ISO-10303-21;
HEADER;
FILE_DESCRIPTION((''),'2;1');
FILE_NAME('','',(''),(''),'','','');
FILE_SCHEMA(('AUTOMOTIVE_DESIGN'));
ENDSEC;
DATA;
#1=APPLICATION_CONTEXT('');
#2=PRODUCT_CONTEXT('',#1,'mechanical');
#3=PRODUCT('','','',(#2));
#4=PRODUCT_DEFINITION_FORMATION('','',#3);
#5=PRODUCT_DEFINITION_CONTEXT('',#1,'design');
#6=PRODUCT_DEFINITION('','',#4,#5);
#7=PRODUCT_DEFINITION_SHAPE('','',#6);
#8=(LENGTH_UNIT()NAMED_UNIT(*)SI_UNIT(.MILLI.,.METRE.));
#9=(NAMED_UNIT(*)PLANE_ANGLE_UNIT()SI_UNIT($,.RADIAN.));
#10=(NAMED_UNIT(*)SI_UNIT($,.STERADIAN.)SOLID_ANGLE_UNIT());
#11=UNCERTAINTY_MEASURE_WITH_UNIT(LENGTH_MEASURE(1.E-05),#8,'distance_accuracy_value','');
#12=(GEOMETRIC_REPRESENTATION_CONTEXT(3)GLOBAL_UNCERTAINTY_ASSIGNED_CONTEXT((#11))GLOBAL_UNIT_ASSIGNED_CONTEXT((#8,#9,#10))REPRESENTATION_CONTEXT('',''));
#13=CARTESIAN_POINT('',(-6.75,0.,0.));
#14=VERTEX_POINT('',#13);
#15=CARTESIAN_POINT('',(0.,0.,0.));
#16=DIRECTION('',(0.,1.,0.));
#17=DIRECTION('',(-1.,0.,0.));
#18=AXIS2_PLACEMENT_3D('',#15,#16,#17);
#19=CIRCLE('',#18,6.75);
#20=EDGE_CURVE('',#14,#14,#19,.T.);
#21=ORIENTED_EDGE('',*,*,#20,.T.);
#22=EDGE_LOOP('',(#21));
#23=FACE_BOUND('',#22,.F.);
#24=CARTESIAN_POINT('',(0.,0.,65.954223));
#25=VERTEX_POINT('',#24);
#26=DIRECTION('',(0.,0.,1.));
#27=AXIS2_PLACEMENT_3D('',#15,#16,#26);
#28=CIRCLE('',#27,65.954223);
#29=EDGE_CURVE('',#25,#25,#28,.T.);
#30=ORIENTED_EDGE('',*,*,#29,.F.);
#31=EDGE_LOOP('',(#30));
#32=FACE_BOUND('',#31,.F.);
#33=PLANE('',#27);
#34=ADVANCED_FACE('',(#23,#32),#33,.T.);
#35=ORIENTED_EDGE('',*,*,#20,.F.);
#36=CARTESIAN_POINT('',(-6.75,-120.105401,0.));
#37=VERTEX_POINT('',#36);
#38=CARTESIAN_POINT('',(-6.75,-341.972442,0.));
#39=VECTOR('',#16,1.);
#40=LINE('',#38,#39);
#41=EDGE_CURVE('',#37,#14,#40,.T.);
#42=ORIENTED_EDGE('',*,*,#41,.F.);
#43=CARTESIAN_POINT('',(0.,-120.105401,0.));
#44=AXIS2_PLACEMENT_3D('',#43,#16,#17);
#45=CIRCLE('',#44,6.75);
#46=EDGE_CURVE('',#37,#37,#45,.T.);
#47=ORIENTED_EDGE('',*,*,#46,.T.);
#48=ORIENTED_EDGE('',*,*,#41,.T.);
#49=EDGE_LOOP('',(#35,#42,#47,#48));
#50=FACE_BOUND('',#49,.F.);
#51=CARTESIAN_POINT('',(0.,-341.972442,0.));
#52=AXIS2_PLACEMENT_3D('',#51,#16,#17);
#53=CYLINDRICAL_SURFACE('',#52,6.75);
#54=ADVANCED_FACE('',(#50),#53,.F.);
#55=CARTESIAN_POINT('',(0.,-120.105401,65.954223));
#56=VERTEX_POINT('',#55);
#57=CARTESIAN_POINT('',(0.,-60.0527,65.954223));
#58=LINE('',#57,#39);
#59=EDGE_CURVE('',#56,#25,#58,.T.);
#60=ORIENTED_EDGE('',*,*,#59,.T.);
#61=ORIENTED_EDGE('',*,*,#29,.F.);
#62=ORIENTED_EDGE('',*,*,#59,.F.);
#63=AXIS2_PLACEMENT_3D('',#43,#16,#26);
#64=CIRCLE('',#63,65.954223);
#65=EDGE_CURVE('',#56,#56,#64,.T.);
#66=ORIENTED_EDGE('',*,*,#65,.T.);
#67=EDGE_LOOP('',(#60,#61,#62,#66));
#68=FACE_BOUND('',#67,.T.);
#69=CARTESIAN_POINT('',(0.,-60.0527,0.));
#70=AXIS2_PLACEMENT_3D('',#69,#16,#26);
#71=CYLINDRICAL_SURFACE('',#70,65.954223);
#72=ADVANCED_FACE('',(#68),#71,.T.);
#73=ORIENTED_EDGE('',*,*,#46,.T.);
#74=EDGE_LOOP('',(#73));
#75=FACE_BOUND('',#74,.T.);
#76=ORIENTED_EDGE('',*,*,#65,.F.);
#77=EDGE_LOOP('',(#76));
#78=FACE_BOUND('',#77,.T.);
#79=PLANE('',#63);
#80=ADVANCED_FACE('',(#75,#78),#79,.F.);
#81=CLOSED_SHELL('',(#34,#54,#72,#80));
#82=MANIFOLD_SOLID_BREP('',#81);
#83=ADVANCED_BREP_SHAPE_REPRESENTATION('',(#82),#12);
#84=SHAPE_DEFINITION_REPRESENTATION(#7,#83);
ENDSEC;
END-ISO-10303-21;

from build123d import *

# Parameters (mm, degrees)
F0_W = 120.1054006815
F0_H = 65.9542232752
F3_D = 13.5


with BuildPart() as f1:
    # F0 (on Right) → F1 (revolve)
    with BuildSketch(Plane.YZ):
        with Locations((-60.0527003407, 32.9771116376)):
            Rectangle(F0_W, F0_H)
    revolve(axis=Axis((0, -60.0527003407, 0), (0, 1, 0)))

    # F3 (through all)
    with Locations(Plane.XZ.offset(120.1054006815)):
        with Locations((0, 0)):
            Hole(F3_D / 2)


solid = f1.part
